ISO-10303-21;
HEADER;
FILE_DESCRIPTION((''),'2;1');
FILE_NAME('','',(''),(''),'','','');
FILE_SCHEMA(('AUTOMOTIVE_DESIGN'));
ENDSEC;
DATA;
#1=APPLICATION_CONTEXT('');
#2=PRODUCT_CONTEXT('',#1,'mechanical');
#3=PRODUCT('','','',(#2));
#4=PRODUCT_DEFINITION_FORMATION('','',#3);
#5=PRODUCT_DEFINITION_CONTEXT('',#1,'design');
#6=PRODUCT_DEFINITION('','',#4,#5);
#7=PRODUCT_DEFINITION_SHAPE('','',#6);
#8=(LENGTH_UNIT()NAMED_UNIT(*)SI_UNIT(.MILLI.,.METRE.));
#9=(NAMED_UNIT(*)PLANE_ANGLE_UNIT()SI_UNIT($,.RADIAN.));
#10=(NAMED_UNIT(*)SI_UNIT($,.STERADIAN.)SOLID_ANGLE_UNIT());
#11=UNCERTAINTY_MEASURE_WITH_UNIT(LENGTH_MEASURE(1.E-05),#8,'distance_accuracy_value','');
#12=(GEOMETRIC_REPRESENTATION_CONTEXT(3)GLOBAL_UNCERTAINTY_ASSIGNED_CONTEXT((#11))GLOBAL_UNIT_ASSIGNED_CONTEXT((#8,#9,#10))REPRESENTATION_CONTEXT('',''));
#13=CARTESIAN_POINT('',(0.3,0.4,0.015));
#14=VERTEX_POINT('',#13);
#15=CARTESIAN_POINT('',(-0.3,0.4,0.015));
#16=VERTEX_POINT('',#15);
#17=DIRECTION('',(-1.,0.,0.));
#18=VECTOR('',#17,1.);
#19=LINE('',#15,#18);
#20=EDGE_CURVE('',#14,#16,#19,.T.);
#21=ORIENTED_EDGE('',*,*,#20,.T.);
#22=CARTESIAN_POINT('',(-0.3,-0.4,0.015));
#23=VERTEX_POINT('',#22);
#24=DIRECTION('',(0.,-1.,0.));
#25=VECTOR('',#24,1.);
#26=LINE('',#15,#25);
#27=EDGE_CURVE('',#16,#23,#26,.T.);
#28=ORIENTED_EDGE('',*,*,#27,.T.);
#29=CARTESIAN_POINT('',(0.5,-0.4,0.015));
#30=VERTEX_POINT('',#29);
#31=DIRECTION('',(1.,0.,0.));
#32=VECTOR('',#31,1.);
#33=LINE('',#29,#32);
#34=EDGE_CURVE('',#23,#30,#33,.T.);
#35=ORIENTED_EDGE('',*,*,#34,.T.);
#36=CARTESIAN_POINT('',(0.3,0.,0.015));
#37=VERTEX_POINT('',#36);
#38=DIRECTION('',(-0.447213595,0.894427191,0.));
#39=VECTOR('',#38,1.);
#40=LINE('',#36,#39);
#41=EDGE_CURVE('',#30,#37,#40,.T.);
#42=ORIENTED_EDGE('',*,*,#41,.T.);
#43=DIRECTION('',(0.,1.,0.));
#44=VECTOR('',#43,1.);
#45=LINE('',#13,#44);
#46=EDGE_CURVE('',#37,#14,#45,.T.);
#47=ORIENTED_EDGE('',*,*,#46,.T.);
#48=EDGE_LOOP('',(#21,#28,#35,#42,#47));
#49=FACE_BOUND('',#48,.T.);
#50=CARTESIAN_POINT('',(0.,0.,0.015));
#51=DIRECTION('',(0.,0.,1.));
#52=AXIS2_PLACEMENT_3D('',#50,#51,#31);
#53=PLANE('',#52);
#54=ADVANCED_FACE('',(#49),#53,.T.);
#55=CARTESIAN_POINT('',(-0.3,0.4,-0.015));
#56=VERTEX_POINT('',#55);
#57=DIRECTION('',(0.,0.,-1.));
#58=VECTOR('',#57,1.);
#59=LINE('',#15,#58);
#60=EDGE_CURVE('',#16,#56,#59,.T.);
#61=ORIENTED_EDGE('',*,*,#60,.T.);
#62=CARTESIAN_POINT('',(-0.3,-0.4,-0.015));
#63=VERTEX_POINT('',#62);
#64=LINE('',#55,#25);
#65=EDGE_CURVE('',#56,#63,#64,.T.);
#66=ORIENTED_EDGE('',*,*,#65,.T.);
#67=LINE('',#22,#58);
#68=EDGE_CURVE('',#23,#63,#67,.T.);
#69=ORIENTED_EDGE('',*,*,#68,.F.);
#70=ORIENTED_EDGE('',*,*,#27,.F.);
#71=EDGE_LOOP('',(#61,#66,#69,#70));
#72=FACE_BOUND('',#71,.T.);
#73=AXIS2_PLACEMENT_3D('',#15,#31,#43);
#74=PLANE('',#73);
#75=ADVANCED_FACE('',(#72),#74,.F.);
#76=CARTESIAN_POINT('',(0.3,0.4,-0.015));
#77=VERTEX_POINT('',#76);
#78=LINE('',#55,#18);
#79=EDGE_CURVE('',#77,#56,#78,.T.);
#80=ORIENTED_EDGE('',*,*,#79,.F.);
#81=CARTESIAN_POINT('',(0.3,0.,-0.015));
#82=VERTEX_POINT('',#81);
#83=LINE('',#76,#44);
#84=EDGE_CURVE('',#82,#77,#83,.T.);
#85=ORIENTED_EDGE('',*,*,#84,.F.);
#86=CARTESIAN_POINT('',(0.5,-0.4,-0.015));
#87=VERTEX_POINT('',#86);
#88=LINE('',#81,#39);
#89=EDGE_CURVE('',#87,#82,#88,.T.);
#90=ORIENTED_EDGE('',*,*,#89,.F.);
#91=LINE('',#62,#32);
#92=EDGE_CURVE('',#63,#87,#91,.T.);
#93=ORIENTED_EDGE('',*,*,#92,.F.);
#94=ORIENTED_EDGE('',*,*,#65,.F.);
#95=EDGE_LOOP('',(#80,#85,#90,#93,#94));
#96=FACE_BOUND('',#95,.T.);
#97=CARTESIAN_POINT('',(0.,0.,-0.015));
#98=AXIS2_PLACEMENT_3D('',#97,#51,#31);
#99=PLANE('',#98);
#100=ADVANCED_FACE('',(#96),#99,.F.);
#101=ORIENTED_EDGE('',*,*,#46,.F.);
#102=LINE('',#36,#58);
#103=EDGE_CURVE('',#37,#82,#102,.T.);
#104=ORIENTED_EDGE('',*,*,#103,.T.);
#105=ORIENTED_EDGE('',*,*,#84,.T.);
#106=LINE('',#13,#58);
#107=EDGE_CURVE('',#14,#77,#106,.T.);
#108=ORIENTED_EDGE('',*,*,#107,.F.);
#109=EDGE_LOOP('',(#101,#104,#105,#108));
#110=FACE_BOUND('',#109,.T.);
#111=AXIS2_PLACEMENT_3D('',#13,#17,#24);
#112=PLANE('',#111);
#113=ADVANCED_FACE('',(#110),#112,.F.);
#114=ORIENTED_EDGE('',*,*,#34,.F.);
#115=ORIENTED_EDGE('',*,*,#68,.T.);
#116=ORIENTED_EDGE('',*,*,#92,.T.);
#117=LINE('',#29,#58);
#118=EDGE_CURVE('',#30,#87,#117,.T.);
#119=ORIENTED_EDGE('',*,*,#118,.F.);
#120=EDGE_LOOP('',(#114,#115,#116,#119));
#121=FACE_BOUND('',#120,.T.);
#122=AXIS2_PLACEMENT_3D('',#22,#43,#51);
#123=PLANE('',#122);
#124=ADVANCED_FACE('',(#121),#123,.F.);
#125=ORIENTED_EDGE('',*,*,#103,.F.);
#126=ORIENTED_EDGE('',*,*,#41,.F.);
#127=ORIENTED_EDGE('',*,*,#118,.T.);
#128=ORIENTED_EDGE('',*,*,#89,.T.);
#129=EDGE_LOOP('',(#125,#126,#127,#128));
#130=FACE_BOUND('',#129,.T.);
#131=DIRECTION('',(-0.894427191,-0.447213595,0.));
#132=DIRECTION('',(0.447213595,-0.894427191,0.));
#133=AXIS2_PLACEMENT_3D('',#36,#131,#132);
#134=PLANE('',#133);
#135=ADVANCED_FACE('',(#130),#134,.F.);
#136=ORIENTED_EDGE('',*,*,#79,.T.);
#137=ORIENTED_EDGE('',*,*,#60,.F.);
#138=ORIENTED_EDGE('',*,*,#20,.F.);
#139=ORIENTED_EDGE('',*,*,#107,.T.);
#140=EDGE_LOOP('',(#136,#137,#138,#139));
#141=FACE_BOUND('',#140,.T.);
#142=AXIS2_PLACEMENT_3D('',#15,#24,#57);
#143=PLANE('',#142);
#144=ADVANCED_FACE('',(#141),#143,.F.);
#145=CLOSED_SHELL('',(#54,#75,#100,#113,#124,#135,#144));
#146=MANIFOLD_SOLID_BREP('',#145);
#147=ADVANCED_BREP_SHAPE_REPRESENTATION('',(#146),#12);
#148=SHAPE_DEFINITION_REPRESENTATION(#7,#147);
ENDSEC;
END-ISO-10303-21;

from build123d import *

# Parameters (mm, degrees)
BOSS_EXTRUDE2_DEPTH = 0.015


with BuildPart() as part:
    # Sketch1 → Boss-Extrude2 (new, symmetric)
    with BuildSketch(Plane.XY):
        Polygon((0.3, 0), (0.5, -0.4), (0.3, -0.4), (-0.3, -0.4), (-0.3, 0.4), (0.3, 0.4), align=None)
    extrude(amount=BOSS_EXTRUDE2_DEPTH, both=True)


solid = part.part
